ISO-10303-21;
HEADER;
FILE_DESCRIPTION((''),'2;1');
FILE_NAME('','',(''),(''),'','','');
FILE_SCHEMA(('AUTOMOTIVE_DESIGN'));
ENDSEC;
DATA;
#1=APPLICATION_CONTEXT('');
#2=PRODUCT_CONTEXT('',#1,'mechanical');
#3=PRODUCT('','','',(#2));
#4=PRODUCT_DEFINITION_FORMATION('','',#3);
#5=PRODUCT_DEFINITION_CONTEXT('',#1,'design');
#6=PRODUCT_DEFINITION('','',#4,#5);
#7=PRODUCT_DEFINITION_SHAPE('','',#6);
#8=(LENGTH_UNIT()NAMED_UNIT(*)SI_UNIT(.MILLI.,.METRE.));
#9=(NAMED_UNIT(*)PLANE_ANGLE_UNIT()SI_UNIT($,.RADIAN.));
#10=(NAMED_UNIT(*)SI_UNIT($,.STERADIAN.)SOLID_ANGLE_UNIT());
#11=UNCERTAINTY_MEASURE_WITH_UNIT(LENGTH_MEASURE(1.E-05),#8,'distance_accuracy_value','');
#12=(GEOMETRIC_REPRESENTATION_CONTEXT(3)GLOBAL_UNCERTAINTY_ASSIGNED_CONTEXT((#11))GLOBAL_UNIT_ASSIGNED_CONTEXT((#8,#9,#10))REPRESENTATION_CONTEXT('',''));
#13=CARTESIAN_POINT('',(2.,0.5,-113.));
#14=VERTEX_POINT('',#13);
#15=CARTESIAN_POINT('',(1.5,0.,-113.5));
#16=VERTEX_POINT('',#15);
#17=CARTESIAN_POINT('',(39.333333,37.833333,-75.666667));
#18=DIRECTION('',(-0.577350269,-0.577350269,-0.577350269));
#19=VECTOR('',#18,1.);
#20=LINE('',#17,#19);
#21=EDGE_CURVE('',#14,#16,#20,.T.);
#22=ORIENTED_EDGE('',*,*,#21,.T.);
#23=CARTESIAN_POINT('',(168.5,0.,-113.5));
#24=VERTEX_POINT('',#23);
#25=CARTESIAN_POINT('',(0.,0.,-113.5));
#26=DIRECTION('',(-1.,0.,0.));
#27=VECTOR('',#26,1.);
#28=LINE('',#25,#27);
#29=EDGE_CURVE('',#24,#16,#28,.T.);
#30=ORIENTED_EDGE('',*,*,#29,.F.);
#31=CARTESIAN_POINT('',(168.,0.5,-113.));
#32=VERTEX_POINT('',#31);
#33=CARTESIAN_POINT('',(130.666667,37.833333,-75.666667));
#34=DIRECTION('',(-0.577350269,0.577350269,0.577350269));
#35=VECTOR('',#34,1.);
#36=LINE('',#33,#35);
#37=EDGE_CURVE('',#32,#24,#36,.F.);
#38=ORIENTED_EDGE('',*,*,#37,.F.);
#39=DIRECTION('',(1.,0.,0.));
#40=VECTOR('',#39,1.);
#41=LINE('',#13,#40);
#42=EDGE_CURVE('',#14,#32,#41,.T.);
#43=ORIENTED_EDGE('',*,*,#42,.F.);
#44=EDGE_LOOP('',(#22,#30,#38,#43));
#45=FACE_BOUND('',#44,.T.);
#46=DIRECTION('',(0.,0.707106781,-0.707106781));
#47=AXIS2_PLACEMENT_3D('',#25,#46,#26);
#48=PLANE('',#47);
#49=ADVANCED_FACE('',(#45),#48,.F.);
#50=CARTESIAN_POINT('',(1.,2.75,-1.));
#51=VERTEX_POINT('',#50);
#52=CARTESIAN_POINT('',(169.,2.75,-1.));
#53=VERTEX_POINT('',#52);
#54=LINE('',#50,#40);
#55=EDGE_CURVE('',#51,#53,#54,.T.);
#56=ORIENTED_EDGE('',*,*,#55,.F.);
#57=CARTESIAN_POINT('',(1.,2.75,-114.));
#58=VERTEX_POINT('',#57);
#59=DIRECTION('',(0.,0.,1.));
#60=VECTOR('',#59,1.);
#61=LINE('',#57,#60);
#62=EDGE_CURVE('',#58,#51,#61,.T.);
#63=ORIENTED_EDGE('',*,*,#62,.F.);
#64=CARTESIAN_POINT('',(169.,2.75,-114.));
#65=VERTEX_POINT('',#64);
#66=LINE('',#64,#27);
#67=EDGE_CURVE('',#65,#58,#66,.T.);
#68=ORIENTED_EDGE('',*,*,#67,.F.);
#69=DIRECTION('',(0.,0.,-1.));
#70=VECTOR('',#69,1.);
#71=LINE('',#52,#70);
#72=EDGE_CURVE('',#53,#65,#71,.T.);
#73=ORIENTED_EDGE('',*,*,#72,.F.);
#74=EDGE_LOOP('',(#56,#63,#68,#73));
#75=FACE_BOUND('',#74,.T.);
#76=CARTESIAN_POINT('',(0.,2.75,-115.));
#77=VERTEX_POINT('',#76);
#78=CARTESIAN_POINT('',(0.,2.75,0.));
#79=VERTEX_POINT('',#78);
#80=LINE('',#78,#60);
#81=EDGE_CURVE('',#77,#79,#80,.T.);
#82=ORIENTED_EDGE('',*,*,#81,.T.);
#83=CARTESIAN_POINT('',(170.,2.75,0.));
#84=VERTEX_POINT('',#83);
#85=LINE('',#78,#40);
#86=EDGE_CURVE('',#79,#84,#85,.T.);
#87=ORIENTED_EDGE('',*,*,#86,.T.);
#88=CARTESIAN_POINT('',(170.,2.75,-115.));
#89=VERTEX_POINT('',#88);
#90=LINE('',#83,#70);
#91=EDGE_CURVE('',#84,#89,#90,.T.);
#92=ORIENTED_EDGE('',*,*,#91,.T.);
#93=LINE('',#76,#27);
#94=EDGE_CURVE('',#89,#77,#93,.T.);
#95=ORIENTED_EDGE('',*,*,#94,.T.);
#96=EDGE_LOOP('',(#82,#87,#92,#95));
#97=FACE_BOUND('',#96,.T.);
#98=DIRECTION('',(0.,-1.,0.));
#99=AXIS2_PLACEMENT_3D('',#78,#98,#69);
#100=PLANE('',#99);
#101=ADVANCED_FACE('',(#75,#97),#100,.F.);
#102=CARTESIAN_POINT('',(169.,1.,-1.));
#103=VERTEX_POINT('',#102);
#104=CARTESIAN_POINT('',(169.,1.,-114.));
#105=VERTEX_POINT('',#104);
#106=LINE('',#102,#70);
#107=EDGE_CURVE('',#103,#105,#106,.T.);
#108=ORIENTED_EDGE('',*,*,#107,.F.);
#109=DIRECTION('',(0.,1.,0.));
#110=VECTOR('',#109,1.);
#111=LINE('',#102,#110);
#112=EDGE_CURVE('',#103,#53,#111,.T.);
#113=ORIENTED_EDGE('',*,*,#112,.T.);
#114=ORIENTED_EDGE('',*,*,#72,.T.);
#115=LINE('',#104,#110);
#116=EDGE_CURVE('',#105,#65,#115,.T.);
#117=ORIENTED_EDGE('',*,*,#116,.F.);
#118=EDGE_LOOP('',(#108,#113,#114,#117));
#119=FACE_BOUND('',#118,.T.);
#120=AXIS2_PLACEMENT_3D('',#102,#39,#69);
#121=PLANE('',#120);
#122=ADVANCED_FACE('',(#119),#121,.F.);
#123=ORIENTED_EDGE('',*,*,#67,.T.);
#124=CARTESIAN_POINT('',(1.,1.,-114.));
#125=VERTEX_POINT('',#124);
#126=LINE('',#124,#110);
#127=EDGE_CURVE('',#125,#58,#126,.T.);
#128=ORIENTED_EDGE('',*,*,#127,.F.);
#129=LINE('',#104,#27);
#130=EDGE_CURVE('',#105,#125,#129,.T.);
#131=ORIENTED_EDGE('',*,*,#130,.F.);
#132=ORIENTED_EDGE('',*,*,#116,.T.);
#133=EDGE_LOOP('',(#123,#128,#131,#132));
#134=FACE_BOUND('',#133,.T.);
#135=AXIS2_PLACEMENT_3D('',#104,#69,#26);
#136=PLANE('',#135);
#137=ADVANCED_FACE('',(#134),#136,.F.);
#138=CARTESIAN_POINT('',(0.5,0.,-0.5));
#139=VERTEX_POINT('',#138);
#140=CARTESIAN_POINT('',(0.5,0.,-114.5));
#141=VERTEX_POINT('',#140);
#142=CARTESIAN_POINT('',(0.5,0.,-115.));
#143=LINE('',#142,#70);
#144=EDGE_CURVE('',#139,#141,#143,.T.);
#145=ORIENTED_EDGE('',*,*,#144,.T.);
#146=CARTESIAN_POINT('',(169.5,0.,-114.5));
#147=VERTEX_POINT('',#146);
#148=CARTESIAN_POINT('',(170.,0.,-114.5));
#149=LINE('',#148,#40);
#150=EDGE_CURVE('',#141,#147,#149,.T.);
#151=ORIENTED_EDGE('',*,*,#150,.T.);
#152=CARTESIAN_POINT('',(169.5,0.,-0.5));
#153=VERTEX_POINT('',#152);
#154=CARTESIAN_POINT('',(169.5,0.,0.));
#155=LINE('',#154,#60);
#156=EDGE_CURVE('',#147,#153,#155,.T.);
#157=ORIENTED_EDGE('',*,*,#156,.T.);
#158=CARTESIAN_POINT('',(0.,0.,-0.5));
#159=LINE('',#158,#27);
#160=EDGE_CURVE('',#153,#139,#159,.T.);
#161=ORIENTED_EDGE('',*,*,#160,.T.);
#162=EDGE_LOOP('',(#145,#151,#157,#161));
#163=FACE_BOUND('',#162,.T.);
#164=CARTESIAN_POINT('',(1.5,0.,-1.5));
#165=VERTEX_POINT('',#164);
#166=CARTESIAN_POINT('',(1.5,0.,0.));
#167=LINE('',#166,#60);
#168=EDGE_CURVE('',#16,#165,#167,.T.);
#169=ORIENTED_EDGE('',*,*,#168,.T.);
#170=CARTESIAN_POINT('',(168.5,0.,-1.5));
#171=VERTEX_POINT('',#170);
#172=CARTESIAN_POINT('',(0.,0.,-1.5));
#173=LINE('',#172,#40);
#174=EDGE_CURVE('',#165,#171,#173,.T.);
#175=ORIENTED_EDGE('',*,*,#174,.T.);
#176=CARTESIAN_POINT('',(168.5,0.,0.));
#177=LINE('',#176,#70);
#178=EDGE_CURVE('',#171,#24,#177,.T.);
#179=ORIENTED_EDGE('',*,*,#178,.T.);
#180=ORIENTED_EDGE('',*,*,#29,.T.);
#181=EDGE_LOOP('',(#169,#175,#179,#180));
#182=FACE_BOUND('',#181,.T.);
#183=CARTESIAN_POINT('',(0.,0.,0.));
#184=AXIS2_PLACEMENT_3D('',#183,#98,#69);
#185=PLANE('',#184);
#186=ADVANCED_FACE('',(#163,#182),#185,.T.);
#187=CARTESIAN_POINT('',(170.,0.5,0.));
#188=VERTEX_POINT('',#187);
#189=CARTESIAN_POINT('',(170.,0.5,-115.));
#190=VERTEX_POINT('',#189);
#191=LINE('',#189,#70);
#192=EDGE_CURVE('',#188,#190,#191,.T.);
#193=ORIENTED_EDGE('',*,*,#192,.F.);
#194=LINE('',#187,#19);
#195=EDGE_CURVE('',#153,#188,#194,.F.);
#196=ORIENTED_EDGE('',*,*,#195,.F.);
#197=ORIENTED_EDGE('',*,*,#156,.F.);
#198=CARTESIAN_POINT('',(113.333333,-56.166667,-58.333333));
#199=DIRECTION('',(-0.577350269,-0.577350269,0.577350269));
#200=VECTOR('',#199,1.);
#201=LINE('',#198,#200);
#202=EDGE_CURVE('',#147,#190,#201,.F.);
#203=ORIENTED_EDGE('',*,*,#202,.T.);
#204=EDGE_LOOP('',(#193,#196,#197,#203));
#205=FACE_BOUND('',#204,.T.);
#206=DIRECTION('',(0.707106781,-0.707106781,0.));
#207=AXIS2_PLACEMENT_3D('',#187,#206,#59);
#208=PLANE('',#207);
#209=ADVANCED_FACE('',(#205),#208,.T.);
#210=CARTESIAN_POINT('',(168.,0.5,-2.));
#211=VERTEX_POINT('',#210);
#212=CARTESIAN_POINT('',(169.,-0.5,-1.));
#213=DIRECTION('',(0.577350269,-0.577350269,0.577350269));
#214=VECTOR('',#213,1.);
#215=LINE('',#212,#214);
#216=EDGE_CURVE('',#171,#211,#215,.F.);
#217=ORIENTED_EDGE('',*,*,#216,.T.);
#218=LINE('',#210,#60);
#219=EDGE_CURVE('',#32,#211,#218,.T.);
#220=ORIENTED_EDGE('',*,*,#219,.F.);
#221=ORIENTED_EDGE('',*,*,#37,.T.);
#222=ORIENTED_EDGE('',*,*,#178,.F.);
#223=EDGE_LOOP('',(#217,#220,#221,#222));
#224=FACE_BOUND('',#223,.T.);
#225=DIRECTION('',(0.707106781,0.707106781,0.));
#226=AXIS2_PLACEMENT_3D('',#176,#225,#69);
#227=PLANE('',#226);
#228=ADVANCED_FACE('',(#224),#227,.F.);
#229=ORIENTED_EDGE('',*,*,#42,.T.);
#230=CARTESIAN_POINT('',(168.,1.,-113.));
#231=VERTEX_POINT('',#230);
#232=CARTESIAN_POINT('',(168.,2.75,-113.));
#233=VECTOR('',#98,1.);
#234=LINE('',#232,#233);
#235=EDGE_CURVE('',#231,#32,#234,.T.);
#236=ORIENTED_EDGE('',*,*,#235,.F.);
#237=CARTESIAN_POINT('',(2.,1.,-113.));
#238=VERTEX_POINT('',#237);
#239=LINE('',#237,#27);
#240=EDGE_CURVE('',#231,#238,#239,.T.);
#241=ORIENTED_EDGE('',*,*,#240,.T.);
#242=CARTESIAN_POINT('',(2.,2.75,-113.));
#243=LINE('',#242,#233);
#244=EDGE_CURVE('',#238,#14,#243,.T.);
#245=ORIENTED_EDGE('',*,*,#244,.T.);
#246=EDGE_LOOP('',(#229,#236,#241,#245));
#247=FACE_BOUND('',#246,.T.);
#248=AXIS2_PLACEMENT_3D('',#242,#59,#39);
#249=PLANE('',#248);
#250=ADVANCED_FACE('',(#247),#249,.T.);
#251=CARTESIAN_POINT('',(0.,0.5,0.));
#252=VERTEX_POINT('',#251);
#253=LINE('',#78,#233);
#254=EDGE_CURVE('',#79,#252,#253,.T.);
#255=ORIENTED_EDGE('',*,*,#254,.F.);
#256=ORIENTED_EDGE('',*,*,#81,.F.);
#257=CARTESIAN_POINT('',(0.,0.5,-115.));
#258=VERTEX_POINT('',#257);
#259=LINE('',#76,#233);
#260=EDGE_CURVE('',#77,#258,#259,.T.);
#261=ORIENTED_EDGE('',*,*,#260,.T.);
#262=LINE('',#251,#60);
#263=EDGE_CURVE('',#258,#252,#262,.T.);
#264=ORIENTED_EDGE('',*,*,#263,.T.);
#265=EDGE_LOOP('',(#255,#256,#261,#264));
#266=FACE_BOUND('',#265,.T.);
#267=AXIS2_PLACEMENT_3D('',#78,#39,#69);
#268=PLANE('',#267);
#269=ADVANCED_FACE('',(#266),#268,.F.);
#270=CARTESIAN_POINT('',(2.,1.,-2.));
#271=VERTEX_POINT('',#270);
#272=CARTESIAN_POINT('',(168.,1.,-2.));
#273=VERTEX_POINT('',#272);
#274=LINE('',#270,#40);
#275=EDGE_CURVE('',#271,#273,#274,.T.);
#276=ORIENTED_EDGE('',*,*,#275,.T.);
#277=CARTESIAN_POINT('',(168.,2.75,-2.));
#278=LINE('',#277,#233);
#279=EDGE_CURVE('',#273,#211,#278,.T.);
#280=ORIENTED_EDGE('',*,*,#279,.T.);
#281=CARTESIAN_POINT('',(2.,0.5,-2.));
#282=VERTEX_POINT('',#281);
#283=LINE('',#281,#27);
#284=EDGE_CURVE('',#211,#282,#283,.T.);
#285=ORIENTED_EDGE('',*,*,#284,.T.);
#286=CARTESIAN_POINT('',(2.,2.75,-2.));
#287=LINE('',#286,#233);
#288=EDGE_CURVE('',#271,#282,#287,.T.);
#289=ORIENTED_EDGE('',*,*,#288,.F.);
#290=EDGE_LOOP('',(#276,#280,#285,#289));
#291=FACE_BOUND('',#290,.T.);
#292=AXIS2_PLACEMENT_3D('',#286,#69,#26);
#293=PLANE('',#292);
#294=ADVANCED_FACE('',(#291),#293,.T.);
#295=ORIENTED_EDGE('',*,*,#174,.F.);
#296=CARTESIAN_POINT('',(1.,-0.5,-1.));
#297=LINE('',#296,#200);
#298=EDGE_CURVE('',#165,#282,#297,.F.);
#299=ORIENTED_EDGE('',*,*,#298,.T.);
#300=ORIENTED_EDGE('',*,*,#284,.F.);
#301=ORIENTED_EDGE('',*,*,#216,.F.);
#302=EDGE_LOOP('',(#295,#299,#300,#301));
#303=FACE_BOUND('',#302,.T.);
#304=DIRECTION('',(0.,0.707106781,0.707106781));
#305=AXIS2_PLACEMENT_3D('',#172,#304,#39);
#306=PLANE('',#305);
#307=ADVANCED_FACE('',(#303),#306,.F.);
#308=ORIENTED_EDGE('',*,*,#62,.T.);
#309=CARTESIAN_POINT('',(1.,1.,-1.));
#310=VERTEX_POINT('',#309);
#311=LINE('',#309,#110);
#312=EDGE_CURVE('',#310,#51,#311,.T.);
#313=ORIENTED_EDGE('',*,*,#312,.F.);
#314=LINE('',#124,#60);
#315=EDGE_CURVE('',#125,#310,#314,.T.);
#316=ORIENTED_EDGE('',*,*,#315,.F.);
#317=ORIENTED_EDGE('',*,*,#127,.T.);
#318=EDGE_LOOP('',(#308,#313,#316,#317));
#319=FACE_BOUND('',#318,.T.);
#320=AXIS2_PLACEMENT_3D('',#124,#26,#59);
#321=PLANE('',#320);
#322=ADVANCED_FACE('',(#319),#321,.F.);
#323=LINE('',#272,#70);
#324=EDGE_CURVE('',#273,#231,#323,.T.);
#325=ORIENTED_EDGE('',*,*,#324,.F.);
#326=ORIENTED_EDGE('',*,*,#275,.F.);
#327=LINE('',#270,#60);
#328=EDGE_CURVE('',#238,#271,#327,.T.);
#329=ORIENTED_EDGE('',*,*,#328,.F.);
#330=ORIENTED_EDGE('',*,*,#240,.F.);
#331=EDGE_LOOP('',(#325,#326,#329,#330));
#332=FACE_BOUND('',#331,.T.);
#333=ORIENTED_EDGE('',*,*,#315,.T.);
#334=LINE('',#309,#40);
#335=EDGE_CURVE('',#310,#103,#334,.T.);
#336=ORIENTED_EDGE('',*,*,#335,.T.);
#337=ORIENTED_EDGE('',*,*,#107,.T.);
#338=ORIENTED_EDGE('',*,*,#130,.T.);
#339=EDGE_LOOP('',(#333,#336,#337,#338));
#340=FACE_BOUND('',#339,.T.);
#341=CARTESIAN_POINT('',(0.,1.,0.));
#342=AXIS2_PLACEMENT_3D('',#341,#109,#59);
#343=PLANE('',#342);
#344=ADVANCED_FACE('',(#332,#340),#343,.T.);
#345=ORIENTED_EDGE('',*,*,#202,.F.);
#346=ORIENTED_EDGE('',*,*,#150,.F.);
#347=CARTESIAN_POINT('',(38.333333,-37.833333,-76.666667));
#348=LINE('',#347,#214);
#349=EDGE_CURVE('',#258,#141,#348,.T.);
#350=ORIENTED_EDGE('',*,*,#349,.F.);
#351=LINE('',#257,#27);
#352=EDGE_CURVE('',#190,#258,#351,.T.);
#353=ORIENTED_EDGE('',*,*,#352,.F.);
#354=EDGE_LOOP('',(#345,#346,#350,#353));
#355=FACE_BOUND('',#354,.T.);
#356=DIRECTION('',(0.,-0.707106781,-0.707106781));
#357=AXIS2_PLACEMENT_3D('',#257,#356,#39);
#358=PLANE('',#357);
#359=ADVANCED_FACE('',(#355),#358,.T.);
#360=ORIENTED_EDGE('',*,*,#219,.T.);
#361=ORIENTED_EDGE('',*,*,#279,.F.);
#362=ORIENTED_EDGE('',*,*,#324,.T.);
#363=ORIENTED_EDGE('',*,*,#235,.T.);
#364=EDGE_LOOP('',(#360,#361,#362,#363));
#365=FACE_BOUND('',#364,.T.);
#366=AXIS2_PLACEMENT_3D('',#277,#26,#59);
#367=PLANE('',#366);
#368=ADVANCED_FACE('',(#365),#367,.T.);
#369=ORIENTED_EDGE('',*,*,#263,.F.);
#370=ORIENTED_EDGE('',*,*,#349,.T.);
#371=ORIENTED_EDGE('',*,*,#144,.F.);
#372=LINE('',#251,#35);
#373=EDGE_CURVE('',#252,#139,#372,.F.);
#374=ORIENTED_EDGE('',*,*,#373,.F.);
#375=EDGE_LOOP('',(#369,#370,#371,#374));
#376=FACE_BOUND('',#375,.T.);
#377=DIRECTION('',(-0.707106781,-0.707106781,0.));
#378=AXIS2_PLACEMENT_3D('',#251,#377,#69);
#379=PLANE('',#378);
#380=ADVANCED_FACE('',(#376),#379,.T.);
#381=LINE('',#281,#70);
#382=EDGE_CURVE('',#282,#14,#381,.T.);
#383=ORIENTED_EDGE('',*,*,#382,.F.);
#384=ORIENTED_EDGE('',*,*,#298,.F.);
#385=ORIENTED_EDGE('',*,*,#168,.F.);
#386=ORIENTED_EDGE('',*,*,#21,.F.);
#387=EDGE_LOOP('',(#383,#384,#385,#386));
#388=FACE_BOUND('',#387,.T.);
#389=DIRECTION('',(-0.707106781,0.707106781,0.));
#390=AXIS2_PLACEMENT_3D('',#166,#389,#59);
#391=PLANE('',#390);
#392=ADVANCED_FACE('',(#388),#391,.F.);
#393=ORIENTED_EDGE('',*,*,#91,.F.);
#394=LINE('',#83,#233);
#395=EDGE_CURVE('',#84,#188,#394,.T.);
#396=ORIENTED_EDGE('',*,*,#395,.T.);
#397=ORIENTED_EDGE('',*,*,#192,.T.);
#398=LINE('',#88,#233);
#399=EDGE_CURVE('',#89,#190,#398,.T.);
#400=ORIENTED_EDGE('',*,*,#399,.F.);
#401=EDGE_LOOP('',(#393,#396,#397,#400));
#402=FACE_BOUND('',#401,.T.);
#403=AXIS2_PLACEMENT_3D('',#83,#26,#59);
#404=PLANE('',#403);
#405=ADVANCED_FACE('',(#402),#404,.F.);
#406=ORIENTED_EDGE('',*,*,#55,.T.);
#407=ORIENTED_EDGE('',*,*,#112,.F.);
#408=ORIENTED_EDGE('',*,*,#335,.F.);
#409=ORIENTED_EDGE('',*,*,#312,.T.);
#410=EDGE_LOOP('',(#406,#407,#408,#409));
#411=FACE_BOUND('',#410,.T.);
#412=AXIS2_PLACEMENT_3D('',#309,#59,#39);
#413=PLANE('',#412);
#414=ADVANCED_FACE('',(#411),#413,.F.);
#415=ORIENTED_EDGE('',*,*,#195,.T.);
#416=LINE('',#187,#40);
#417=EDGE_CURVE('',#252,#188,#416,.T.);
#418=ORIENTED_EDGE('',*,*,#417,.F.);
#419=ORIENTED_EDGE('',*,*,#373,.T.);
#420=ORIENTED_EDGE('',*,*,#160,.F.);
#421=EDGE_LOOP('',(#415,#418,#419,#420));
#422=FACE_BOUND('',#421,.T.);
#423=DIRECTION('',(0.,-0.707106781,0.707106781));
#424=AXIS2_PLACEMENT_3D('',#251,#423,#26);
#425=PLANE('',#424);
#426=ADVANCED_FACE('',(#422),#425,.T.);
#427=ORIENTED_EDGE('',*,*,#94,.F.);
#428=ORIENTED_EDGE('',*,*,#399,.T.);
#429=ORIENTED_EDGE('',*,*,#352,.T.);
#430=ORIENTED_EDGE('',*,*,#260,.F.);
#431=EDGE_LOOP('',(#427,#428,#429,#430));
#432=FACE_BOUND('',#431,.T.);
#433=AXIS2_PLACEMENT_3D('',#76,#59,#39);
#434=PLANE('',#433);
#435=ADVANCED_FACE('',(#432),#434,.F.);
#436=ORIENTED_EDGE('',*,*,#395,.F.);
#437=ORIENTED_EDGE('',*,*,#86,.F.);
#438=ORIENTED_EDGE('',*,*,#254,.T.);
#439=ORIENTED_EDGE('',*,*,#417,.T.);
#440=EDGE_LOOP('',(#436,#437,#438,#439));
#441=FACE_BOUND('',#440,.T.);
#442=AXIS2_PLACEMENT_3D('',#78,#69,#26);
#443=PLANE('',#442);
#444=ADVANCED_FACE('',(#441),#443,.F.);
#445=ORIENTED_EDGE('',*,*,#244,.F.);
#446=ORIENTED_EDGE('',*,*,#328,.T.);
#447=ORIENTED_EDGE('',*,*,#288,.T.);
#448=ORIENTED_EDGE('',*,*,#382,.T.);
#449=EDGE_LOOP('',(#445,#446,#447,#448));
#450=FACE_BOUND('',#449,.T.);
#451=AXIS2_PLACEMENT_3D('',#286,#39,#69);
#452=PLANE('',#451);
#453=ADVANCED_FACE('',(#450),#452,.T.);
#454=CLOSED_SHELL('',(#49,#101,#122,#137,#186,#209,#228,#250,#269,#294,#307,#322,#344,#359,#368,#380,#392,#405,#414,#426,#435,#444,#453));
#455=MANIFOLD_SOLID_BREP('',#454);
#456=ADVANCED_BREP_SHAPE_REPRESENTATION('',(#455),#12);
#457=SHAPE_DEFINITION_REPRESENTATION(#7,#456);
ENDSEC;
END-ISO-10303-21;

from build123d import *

# Parameters (mm, degrees)
SKETCH1_W           = 170
SKETCH1_H           = 115
SKETCH1_W_2         = 166
SKETCH1_H_2         = 111
BOSS_EXTRUDE1_DEPTH = 2.75
SKETCH2_W           = 168
SKETCH2_H           = 113
CUT_EXTRUDE1_DEPTH  = 1.75
CHAMFER1_SIZE       = 0.5


with BuildPart() as part:
    # Sketch1 → Boss-Extrude1 (new body)
    with BuildSketch(Plane(origin=(0, 0, 0), x_dir=(1, 0, 0), z_dir=(0, 1, 0))):
        with Locations((85, 57.5)):
            Rectangle(SKETCH1_W, SKETCH1_H)
        with Locations((85, 57.5)):
            Rectangle(SKETCH1_W_2, SKETCH1_H_2, mode=Mode.SUBTRACT)
    extrude(amount=BOSS_EXTRUDE1_DEPTH)

    # Sketch2 → Cut-Extrude1 (cut)
    with BuildSketch(Plane(origin=(0, 2.75, 0), x_dir=(1, 0, 0), z_dir=(0, 1, 0))):
        with Locations((85, 57.5)):
            Rectangle(SKETCH2_W, SKETCH2_H)
    extrude(amount=-CUT_EXTRUDE1_DEPTH, mode=Mode.SUBTRACT)

    # Chamfer1
    chamfer1_edges = [part.edges().sort_by_distance(p)[0] for p in [
        (2, 0, -57.5),
        (85, 0, -2),
        (168, 0, -57.5),
        (85, 0, -113),
        (85, 0, -115),
        (170, 0, -57.5),
        (85, 0, 0),
        (0, 0, -57.5),
    ]]
    chamfer(chamfer1_edges, length=CHAMFER1_SIZE)


solid = part.part
